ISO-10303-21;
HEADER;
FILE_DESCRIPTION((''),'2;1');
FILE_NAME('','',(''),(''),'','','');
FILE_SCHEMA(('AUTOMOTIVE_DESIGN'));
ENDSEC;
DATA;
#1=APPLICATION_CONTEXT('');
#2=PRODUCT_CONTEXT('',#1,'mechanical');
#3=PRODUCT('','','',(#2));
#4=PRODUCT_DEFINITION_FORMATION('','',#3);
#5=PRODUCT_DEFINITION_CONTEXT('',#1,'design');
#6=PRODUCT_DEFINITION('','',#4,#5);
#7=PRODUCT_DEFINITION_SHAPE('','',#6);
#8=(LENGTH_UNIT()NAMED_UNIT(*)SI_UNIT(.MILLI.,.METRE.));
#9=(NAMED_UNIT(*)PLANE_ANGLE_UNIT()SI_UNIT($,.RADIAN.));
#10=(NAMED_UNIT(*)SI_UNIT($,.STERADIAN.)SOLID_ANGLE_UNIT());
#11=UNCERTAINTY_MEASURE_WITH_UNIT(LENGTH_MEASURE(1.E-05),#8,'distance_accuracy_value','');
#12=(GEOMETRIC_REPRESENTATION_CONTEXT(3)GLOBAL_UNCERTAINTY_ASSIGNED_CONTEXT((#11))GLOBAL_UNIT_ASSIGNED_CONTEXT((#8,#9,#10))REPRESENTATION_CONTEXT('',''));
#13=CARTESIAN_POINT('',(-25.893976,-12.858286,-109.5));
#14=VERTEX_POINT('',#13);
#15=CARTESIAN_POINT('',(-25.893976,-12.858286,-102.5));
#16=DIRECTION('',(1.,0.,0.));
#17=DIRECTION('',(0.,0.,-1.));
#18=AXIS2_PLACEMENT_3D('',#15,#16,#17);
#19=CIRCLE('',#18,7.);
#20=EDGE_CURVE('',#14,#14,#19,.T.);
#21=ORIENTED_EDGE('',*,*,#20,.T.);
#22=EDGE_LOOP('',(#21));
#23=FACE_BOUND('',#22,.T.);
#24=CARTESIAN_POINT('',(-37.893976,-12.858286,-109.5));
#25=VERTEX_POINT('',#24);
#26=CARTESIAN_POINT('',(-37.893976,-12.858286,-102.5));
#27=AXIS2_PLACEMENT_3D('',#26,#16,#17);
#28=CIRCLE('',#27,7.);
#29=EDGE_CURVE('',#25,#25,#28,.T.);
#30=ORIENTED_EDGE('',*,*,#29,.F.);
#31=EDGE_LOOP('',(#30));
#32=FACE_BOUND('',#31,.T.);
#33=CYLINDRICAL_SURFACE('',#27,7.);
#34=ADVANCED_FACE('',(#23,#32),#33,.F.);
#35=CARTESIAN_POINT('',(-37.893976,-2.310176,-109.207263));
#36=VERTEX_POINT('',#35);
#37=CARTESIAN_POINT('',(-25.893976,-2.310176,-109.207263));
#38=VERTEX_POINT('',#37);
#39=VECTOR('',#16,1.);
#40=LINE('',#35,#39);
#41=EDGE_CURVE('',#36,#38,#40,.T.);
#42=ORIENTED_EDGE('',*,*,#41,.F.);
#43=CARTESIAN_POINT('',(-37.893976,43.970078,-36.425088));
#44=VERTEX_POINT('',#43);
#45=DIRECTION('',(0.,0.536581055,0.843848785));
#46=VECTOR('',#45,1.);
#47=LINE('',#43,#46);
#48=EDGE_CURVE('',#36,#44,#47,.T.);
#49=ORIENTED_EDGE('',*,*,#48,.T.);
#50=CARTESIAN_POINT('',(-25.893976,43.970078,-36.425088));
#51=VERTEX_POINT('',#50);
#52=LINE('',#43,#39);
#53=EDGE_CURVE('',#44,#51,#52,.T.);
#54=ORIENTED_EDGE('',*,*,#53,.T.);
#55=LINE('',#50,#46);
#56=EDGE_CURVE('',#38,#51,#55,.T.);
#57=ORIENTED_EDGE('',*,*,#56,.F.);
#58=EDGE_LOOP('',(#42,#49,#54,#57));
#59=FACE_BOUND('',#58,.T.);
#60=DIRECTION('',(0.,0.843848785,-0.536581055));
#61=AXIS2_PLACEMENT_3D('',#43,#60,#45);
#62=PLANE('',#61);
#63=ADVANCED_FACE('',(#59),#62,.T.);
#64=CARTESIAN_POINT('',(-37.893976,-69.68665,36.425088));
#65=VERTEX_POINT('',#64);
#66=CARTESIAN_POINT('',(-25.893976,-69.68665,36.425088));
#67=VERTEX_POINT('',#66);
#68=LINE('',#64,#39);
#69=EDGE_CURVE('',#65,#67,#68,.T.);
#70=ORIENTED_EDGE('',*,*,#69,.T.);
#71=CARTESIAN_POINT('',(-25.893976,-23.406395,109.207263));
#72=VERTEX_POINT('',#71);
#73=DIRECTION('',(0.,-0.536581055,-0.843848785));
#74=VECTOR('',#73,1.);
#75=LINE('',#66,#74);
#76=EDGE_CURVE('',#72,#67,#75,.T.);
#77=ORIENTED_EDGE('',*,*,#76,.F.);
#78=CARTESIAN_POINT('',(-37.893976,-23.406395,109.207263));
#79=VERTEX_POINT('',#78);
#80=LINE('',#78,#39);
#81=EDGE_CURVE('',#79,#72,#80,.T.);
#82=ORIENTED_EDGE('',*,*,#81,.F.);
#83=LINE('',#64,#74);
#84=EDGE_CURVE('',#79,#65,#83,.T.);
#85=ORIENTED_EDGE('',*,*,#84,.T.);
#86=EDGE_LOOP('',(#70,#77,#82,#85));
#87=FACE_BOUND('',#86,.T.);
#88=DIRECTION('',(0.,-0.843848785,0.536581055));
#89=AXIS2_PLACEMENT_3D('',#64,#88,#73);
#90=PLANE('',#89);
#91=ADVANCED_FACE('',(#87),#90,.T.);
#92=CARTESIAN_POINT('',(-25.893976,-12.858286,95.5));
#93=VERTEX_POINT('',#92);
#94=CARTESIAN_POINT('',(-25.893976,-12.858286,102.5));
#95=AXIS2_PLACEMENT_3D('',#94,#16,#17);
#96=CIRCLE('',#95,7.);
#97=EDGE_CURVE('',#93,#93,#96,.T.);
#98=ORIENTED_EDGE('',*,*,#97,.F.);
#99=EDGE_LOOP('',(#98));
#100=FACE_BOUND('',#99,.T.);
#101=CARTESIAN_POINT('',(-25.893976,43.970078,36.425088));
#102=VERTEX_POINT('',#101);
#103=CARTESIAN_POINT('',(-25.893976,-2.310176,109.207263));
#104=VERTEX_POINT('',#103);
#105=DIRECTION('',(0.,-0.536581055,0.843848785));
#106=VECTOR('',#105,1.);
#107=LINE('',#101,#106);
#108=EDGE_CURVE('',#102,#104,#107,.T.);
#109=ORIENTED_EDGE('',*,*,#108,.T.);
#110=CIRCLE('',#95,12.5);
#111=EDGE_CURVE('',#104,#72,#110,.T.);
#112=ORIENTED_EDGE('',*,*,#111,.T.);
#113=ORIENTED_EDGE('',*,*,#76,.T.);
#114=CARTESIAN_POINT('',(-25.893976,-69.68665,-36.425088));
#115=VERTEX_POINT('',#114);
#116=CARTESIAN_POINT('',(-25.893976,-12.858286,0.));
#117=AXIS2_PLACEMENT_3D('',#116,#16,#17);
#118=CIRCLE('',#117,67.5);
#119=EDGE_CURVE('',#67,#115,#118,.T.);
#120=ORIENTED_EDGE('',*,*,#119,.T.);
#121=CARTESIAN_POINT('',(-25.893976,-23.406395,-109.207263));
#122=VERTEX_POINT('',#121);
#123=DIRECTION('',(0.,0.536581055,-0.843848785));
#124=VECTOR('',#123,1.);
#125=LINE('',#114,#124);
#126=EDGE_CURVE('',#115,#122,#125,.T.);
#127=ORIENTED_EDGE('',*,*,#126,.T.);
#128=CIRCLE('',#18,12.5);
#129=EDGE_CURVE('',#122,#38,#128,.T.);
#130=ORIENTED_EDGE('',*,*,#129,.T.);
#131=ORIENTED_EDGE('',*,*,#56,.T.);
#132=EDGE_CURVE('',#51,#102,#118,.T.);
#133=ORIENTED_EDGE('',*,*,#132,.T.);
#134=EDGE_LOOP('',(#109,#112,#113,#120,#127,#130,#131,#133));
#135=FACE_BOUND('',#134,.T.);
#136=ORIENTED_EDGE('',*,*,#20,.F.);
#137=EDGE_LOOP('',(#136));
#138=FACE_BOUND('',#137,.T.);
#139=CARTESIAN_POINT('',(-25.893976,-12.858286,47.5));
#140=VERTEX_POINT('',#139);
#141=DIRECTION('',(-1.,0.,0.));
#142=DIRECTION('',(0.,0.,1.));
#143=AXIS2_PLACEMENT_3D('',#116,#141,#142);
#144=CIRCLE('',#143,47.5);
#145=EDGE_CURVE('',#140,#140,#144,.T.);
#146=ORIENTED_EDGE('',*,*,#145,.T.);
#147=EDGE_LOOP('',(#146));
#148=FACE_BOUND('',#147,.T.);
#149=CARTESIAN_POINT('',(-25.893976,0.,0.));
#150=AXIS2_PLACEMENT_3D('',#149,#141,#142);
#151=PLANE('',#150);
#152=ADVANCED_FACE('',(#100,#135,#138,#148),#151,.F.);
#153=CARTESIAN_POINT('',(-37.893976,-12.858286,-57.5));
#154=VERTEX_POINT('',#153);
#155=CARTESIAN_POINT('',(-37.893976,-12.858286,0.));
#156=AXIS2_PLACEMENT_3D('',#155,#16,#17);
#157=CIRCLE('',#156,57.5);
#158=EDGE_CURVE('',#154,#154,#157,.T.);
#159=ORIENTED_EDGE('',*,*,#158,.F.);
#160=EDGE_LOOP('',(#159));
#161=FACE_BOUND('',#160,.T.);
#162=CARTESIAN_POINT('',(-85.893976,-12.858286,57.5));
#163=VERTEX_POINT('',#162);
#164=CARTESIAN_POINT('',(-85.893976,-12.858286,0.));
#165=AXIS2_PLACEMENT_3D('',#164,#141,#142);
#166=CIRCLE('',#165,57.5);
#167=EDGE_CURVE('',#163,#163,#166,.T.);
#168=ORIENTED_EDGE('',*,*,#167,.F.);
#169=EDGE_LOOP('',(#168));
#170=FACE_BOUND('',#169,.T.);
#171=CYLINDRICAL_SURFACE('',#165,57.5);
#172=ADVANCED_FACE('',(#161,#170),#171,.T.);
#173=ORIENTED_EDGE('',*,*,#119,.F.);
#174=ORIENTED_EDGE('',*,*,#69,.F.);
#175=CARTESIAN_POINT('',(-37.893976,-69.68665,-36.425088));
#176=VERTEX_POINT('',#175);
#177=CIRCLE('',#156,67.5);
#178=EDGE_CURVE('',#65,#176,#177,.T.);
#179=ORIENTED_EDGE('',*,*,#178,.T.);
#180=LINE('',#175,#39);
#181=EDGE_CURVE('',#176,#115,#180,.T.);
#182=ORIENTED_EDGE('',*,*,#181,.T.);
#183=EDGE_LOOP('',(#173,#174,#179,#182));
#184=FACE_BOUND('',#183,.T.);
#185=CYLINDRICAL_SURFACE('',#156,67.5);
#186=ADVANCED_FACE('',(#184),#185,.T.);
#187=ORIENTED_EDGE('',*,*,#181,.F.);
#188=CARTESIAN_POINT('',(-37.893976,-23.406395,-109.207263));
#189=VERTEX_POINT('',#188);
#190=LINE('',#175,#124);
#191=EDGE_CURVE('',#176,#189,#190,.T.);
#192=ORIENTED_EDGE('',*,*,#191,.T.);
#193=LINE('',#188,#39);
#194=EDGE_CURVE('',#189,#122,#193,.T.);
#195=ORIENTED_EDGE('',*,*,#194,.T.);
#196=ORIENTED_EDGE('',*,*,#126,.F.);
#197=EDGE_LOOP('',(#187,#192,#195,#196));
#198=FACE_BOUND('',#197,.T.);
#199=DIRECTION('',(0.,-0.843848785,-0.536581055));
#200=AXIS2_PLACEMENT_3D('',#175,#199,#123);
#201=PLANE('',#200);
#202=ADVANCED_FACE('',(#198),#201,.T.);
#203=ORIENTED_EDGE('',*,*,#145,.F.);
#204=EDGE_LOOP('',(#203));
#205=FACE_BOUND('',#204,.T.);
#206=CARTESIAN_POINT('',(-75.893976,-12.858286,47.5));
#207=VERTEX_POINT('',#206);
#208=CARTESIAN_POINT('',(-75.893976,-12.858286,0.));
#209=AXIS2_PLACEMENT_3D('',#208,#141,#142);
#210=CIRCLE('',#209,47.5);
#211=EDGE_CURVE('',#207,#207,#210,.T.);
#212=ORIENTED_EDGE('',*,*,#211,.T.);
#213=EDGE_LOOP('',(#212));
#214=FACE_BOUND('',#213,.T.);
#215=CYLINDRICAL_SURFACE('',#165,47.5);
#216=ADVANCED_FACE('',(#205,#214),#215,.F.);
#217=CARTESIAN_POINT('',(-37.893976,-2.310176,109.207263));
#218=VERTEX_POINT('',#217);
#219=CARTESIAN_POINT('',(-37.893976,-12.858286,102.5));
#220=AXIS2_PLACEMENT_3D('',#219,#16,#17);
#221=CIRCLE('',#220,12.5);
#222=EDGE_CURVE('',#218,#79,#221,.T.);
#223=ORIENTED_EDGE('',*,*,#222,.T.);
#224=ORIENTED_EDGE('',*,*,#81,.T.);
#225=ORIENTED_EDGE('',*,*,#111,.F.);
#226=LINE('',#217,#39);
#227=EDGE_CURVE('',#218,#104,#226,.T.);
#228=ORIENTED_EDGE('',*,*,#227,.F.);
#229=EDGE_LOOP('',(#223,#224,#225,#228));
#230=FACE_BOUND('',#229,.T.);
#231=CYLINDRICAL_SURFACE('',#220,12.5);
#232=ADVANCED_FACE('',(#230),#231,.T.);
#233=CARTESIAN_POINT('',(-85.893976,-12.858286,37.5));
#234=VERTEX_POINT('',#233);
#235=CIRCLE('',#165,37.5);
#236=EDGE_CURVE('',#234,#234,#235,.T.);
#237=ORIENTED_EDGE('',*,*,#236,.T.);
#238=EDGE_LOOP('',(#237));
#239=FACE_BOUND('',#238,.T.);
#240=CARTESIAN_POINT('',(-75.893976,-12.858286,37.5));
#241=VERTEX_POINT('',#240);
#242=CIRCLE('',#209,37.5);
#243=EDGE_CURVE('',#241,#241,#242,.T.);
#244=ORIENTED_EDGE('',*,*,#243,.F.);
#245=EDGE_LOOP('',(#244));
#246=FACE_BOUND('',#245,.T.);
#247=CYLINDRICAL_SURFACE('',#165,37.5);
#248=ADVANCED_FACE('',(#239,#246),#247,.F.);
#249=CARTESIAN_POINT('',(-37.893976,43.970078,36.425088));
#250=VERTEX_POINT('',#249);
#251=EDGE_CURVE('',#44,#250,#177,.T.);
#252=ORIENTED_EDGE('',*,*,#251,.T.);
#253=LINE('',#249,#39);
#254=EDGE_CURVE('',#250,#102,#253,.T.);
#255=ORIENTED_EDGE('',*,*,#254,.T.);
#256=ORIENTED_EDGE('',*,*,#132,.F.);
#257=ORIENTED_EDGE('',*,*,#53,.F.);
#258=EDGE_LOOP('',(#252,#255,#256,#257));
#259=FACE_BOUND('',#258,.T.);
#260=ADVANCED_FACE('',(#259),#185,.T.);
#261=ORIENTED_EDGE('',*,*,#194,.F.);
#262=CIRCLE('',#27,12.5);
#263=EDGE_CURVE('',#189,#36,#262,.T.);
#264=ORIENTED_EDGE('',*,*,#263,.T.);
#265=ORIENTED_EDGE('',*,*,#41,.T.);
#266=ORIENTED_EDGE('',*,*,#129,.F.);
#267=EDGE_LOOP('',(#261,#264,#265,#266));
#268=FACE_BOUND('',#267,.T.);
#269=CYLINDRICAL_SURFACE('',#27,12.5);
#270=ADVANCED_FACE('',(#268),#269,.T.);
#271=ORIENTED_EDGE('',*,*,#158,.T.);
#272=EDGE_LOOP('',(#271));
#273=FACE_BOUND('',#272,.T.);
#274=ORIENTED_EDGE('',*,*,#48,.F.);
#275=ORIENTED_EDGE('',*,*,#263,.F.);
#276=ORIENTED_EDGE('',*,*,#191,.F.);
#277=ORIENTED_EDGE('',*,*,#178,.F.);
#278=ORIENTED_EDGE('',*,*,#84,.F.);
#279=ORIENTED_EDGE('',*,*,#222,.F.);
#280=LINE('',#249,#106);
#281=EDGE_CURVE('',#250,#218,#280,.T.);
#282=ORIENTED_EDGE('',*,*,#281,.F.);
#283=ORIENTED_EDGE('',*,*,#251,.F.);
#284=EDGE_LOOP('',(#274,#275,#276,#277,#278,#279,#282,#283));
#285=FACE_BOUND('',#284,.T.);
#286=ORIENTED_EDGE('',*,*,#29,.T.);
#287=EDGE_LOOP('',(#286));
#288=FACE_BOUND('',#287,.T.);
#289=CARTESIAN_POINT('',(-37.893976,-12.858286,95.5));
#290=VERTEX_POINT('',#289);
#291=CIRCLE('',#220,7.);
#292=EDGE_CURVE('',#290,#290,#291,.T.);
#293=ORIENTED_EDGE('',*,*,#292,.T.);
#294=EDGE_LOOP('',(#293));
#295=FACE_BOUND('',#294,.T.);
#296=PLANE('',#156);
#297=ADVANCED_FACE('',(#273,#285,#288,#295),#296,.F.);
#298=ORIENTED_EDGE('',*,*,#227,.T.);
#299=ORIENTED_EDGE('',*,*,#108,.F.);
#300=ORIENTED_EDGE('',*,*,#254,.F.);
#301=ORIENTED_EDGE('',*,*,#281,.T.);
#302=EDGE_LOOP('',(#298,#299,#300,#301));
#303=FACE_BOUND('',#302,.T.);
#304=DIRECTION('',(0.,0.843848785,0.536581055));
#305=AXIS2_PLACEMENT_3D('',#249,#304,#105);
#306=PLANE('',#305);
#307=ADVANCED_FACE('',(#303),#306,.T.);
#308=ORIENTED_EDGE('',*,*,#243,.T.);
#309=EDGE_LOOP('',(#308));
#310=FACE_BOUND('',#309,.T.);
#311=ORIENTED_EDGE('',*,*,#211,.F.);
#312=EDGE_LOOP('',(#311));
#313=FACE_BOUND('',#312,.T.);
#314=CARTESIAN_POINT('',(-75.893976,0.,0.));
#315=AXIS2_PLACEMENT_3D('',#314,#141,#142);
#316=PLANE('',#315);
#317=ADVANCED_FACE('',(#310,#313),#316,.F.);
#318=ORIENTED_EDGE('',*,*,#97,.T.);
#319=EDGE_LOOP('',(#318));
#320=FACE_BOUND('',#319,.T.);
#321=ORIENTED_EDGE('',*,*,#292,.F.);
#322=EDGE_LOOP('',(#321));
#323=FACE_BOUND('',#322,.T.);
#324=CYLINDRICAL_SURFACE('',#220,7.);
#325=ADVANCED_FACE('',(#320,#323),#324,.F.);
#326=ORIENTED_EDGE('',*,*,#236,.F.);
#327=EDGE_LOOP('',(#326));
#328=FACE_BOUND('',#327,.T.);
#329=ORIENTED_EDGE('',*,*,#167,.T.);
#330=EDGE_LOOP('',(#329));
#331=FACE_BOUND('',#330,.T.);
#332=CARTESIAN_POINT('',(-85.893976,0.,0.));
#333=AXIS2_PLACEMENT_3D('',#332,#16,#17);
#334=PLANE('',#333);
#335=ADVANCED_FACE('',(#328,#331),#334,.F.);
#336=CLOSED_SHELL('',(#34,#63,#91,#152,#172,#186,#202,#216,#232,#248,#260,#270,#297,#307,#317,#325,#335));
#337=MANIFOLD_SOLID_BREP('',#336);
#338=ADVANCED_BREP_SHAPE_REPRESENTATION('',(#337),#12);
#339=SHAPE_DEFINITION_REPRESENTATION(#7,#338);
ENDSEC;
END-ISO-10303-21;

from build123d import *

# Parameters (mm, degrees)
BOSS_EXTRUDE1_START = -12
SKETCH2_R           = 57.5
BOSS_EXTRUDE1_DEPTH = 12
SKETCH3_R           = 7
CUT_EXTRUDE1_DEPTH  = 12


with BuildPart() as part:
    # Sketch1 → Revolve1 (revolve)
    with BuildSketch(Plane.XY, mode=Mode.PRIVATE) as revolve1_sk:
        Polygon((-75.893975687, 34.641714336), (-25.893975687, 34.641714336), (-25.893975687, 44.641714336), (-85.893975687, 44.641714336), (-85.893975687, 24.641714336), (-75.893975687, 24.641714336), align=None)
    revolve(revolve1_sk.sketch.rotate(Axis((-85.893975687, -12.858285664, 0), (1, 0, 0)), 90), axis=Axis((-85.893975687, -12.858285664, 0), (1, 0, 0)))

    # Sketch2 → Boss-Extrude1 (add)
    with BuildSketch(Plane(origin=(-25.893975687, 0, 0), x_dir=(0, 0, -1), z_dir=(1, 0, 0)).offset(BOSS_EXTRUDE1_START)):
        with BuildLine():
            Line((36.425087952, -69.686649776), (109.207263185, -23.406395474))
            ThreePointArc((109.207263185, -23.406395474), (115, -12.858285664), (109.207263185, -2.310175853))
            Line((109.207263185, -2.310175853), (36.425087952, 43.970078449))
            ThreePointArc((36.425087952, 43.970078449), (0, 54.641714336), (-36.425087952, 43.970078449))
            Line((-36.425087952, 43.970078449), (-109.207263185, -2.310175853))
            ThreePointArc((-109.207263185, -2.310175853), (-115, -12.858285664), (-109.207263185, -23.406395474))
            Line((-109.207263185, -23.406395474), (-36.425087952, -69.686649776))
            ThreePointArc((-36.425087952, -69.686649776), (0, -80.358285664), (36.425087952, -69.686649776))
        make_face()
        with Locations(Location((0, -12.858285664, 0), (0, 0, 180))):
            Circle(SKETCH2_R, mode=Mode.SUBTRACT)
    extrude(amount=BOSS_EXTRUDE1_DEPTH)

    # Sketch3 → Cut-Extrude1 (cut)
    with BuildSketch(Plane(origin=(-25.893975687, 0, 0), x_dir=(0, 0, -1), z_dir=(1, 0, 0))):
        with Locations((-102.5, -12.858285664)):
            Circle(SKETCH3_R)
        with Locations((102.5, -12.858285664)):
            Circle(SKETCH3_R)
    extrude(amount=-CUT_EXTRUDE1_DEPTH, mode=Mode.SUBTRACT)


solid = part.part
